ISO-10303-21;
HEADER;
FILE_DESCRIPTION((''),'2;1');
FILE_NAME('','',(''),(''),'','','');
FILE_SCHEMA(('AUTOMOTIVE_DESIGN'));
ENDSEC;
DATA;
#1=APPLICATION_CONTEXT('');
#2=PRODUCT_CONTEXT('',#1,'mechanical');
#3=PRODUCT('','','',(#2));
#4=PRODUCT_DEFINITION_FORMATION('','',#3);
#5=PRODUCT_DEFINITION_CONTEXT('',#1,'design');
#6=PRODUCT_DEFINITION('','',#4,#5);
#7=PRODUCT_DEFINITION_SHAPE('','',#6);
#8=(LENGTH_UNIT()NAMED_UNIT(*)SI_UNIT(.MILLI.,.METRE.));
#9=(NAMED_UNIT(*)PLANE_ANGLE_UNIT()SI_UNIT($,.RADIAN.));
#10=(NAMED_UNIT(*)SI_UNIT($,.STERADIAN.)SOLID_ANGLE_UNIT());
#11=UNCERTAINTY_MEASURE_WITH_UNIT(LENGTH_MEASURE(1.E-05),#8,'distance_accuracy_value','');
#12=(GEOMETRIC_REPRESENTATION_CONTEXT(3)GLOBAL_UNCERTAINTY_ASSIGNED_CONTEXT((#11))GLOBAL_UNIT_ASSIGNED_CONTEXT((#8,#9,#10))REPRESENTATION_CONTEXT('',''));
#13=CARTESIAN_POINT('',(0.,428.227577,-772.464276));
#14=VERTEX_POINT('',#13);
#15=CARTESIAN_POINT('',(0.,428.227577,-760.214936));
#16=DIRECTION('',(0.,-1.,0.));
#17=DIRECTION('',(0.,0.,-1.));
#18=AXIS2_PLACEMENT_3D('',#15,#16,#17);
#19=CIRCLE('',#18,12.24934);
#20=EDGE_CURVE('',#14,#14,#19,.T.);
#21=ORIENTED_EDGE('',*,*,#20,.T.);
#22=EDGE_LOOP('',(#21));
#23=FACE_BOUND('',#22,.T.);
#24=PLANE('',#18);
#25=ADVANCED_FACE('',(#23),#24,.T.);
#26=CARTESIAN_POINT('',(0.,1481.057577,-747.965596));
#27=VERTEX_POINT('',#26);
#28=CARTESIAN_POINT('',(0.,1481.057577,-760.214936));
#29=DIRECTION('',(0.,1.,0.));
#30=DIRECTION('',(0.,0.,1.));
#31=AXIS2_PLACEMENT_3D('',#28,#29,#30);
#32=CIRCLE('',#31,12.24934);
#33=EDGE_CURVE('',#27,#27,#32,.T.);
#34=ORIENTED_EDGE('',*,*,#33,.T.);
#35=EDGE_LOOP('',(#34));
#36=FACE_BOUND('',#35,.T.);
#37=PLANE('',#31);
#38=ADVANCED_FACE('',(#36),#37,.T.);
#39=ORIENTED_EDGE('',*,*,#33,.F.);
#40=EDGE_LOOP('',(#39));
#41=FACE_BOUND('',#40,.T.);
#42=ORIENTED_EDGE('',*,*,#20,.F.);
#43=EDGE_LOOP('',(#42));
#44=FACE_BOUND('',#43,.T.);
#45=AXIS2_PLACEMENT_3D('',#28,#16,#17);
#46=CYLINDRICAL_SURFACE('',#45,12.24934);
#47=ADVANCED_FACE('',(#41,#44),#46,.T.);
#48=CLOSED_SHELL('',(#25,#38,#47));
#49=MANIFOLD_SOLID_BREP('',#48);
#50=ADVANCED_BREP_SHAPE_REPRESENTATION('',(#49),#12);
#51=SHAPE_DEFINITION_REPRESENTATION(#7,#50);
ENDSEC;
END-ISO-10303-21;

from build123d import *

# Parameters (mm, degrees)
SKETCH1_R           = 12.249340104
BOSS_EXTRUDE1_DEPTH = 1428.75
SKETCH2_R           = 12.249340104
CUT_EXTRUDE1_DEPTH  = 375.92


with BuildPart() as part:
    # Sketch1 → Boss-Extrude1 (new body)
    with BuildSketch(Plane(origin=(0, 52.307577379, 0), x_dir=(1, 0, 0), z_dir=(0, 1, 0))):
        with Locations(Location((0, 760.214935882, 0), (0, 0, 270))):
            Circle(SKETCH1_R)
    extrude(amount=BOSS_EXTRUDE1_DEPTH)

    # Sketch2 → Cut-Extrude1 (cut)
    with BuildSketch(Plane.XZ.offset(-52.307577379)):
        with Locations(Location((0, -760.214935882, 0), (0, 0, 270))):
            Circle(SKETCH2_R)
    extrude(amount=-CUT_EXTRUDE1_DEPTH, mode=Mode.SUBTRACT)


solid = part.part
